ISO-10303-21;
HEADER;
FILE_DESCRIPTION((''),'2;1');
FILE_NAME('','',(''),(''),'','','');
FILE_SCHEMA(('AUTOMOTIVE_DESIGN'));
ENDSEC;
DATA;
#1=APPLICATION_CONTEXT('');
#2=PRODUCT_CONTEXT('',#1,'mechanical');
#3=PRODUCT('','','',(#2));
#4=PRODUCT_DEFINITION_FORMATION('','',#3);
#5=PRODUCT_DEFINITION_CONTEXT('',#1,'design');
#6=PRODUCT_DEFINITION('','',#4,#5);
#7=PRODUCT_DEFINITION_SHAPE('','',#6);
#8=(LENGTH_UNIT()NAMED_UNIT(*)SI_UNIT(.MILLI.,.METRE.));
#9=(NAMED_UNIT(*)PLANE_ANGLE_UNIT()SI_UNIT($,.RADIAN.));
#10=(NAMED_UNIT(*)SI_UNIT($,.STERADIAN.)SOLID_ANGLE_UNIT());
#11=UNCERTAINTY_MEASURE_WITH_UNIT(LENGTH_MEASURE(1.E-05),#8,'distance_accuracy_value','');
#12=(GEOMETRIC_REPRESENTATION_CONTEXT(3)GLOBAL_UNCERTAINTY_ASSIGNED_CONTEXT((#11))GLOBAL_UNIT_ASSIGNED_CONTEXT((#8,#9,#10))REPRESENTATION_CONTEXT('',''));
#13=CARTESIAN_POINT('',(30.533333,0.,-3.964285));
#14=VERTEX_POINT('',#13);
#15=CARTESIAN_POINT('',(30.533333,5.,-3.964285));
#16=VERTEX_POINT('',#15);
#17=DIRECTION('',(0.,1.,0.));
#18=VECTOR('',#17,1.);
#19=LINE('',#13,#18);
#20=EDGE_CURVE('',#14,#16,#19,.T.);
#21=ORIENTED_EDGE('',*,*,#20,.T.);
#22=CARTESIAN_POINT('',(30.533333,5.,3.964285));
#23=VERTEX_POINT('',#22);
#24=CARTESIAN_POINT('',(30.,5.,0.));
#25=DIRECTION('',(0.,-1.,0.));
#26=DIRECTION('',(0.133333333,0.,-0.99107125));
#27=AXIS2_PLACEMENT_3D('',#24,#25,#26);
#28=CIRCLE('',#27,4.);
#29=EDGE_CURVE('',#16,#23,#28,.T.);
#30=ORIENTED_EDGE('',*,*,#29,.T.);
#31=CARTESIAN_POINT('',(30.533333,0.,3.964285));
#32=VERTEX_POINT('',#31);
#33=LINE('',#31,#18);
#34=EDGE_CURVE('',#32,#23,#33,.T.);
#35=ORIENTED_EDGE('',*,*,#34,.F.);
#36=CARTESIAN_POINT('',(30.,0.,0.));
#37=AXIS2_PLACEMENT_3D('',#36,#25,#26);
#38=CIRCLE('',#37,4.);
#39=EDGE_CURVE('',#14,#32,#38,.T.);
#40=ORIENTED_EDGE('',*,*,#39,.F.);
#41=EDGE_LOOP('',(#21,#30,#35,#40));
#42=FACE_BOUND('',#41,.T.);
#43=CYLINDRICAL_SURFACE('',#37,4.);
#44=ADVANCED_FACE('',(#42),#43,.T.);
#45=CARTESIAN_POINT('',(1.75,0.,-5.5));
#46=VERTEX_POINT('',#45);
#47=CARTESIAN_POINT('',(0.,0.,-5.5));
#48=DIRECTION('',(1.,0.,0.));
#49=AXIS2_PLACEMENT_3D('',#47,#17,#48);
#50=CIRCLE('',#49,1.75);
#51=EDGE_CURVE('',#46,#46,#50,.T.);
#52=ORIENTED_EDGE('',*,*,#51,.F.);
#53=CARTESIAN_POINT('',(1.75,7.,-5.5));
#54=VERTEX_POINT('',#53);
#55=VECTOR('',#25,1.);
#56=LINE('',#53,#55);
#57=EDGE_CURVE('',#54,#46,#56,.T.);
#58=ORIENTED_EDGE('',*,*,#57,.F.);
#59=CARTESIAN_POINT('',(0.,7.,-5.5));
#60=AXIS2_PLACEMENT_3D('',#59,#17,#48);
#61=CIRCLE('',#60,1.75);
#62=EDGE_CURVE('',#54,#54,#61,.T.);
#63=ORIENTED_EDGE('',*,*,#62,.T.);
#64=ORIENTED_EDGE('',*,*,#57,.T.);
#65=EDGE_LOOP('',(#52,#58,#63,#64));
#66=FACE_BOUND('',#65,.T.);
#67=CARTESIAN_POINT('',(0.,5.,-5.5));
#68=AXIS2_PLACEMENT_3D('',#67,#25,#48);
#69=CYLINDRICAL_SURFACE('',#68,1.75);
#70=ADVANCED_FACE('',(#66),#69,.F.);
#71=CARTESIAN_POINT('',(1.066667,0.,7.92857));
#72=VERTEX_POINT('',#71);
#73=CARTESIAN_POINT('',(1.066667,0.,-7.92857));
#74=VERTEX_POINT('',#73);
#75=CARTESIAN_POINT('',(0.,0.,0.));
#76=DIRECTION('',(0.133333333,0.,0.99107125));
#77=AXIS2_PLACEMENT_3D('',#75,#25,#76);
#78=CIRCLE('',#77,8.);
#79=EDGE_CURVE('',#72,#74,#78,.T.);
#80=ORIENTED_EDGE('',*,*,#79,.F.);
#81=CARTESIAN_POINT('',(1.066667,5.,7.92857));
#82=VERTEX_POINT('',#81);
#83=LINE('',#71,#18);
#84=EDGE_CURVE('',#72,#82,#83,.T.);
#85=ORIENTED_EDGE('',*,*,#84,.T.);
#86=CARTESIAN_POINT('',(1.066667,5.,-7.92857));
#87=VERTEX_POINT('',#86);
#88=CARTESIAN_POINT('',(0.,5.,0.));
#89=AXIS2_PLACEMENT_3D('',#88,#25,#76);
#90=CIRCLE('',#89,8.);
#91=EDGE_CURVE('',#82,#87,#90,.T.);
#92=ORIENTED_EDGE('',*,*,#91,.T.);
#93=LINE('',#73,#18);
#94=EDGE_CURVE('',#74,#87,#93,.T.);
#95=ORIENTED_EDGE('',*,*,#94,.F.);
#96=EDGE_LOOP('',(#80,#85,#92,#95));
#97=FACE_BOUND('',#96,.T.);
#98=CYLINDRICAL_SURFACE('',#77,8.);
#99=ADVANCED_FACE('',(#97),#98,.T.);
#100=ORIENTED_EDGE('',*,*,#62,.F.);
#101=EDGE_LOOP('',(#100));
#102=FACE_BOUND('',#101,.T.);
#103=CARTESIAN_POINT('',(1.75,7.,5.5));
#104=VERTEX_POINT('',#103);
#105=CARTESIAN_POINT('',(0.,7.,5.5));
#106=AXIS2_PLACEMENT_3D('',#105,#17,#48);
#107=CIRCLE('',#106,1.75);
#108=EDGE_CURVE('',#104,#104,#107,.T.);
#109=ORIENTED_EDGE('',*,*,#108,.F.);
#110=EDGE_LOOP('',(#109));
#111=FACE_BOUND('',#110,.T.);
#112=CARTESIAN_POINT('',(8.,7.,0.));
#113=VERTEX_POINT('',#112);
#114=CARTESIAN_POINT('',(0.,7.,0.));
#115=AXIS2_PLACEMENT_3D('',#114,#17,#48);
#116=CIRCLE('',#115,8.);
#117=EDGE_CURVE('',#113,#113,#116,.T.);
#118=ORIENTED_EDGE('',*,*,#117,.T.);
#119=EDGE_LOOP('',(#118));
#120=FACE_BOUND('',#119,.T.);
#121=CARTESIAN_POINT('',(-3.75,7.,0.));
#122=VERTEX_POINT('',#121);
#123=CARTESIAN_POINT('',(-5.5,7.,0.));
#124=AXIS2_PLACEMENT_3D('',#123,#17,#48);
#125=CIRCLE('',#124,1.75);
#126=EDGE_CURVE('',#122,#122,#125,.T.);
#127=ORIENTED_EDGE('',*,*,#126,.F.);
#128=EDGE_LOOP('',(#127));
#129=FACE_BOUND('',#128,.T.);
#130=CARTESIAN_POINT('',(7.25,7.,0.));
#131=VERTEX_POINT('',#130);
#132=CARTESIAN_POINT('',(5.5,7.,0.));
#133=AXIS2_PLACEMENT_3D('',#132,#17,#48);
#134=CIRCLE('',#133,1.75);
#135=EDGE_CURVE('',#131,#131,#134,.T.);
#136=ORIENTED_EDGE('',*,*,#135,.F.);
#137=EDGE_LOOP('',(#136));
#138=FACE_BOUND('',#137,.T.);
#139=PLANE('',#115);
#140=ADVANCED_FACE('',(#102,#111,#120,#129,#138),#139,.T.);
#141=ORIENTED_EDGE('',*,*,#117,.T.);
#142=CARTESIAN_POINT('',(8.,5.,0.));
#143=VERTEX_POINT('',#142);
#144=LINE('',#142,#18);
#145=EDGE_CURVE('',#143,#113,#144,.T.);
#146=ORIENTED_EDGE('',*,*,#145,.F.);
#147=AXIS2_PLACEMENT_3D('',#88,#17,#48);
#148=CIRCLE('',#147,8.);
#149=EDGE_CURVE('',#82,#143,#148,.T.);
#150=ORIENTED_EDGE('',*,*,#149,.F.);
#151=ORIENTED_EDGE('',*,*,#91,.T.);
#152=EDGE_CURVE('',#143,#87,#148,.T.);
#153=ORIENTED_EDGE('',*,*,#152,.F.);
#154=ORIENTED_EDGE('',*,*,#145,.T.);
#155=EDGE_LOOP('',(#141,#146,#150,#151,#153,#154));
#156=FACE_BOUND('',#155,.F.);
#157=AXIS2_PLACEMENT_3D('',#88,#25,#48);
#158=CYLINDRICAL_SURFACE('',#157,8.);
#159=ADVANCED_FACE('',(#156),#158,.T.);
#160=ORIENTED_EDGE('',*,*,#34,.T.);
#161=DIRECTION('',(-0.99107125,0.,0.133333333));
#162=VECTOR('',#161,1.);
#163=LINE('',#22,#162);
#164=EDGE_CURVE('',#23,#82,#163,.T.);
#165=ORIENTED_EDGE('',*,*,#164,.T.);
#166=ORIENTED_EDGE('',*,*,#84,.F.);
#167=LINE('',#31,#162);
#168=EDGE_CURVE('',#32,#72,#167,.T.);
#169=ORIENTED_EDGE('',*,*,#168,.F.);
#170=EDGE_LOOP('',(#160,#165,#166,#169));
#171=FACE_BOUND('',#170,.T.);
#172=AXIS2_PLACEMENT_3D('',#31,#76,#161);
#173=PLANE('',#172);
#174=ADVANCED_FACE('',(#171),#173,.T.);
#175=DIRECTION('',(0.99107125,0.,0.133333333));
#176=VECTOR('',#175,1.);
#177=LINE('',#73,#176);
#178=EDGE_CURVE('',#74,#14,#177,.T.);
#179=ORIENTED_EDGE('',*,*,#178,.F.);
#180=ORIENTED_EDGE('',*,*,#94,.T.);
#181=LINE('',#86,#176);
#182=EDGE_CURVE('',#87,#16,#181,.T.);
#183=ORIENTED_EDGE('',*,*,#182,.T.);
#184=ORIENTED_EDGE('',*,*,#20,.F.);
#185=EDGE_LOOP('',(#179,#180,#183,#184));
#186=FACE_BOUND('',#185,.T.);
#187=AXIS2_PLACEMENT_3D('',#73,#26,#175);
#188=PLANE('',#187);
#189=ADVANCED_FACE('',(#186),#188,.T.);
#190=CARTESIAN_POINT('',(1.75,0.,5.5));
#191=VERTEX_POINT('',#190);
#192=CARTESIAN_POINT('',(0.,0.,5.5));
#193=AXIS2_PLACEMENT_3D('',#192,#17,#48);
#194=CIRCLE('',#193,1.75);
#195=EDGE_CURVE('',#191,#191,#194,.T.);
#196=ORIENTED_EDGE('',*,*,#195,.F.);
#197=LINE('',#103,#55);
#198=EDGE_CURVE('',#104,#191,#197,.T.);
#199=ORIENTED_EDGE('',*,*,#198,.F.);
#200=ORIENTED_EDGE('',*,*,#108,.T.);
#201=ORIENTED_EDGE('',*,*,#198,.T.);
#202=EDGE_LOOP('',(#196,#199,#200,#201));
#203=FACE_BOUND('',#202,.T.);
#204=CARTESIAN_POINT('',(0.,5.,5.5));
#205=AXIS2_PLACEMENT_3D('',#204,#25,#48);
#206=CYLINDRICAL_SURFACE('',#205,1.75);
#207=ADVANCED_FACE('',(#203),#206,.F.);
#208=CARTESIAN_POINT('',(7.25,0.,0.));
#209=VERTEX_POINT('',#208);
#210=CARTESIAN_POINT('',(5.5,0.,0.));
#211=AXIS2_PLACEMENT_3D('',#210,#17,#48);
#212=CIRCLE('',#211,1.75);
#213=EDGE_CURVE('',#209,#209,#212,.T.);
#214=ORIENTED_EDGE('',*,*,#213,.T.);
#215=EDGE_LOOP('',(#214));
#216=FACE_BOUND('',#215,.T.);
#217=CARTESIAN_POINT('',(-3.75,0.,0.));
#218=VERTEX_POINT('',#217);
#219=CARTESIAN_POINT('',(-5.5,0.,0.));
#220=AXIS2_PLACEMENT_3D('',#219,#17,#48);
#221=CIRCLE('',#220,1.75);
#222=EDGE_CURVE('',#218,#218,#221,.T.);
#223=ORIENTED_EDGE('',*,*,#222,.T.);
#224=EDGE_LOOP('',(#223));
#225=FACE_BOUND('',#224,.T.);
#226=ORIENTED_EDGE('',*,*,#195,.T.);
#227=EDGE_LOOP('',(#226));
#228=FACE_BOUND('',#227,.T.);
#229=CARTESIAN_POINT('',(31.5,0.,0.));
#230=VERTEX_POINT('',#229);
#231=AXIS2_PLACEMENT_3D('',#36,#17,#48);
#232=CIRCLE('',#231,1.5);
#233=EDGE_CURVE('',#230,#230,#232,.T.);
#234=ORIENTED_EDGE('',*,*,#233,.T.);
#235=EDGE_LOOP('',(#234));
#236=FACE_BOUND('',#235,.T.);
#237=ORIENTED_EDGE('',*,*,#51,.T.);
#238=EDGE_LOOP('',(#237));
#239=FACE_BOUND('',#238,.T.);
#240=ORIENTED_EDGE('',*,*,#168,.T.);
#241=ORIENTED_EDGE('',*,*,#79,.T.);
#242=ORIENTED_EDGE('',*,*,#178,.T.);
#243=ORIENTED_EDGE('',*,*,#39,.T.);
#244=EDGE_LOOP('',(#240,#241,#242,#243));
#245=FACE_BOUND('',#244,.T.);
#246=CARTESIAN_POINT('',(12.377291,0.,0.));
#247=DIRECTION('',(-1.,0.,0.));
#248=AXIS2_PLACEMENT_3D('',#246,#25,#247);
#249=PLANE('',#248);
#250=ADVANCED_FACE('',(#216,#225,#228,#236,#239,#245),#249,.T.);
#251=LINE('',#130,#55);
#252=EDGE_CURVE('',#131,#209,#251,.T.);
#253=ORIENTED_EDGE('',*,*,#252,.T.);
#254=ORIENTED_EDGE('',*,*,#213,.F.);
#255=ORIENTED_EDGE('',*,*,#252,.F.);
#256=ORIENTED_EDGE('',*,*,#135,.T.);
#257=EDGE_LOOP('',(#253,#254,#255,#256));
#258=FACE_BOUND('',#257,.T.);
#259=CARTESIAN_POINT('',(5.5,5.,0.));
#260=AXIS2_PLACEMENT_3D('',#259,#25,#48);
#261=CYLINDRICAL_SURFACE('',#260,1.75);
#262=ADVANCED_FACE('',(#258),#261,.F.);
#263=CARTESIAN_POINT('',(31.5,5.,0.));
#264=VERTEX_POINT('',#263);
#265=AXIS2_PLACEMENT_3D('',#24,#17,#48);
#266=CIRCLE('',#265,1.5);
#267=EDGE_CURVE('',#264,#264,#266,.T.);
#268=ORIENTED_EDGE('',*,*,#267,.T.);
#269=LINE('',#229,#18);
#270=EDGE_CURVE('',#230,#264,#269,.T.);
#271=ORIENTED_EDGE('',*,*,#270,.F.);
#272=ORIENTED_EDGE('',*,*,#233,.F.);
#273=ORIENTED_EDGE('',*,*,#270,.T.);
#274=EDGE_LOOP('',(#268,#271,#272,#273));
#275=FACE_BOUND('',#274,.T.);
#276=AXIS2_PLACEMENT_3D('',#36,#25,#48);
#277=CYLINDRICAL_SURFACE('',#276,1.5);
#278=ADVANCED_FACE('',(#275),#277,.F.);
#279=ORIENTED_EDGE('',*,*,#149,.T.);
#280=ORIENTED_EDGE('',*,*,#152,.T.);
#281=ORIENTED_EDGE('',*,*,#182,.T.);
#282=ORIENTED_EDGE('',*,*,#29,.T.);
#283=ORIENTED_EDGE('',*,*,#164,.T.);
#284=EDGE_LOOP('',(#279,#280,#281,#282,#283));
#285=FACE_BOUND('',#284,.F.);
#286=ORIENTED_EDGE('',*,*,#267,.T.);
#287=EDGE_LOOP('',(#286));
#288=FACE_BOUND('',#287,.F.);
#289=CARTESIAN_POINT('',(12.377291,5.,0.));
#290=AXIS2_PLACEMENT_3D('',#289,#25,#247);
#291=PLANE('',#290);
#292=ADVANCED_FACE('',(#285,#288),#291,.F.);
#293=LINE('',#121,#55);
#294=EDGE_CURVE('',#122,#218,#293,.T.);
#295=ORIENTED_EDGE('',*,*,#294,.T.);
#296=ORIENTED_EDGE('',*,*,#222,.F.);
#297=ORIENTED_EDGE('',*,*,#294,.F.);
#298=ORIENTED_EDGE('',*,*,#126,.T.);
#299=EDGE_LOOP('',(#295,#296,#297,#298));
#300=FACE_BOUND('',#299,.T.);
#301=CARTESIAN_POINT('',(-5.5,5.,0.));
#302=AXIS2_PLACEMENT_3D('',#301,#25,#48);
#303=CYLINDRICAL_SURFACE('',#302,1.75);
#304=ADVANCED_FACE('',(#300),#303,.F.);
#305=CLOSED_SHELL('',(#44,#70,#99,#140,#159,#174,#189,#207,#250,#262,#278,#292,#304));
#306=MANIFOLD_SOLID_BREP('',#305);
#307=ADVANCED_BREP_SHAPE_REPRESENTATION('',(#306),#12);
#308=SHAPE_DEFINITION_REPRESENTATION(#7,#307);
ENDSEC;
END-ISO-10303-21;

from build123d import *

# Parameters (mm, degrees)
SKETCH1_R           = 1.5
SKETCH1_R_2         = 1.75
BOSS_EXTRUDE1_DEPTH = 5
SKETCH2_R           = 8
SKETCH2_R_2         = 1.75
BOSS_EXTRUDE2_DEPTH = 2


with BuildPart() as part:
    # Sketch1 → Boss-Extrude1 (new body)
    with BuildSketch(Plane(origin=(0, 0, 0), x_dir=(1, 0, 0), z_dir=(0, 1, 0))):
        with BuildLine():
            Line((1.066666667, 7.928569999), (30.533333333, 3.964284999))
            ThreePointArc((30.533333333, 3.964284999), (34, 0), (30.533333333, -3.964284999))
            Line((30.533333333, -3.964284999), (1.066666667, -7.928569999))
            ThreePointArc((1.066666667, -7.928569999), (-8, 0), (1.066666667, 7.928569999))
        make_face()
        with Locations((30, 0)):
            Circle(SKETCH1_R, mode=Mode.SUBTRACT)
        with Locations((-5.5, 0)):
            Circle(SKETCH1_R_2, mode=Mode.SUBTRACT)
        with Locations((0, 5.5)):
            Circle(SKETCH1_R_2, mode=Mode.SUBTRACT)
        with Locations((5.5, 0)):
            Circle(SKETCH1_R_2, mode=Mode.SUBTRACT)
        with Locations((0, -5.5)):
            Circle(SKETCH1_R_2, mode=Mode.SUBTRACT)
    extrude(amount=BOSS_EXTRUDE1_DEPTH)

    # Sketch2 → Boss-Extrude2 (add)
    with BuildSketch(Plane(origin=(0, 5, 0), x_dir=(1, 0, 0), z_dir=(0, 1, 0))):
        Circle(SKETCH2_R)
        with Locations((-5.5, 0)):
            Circle(SKETCH2_R_2, mode=Mode.SUBTRACT)
        with Locations((0, -5.5)):
            Circle(SKETCH2_R_2, mode=Mode.SUBTRACT)
        with Locations((5.5, 0)):
            Circle(SKETCH2_R_2, mode=Mode.SUBTRACT)
        with Locations((0, 5.5)):
            Circle(SKETCH2_R_2, mode=Mode.SUBTRACT)
    extrude(amount=BOSS_EXTRUDE2_DEPTH)


solid = part.part
